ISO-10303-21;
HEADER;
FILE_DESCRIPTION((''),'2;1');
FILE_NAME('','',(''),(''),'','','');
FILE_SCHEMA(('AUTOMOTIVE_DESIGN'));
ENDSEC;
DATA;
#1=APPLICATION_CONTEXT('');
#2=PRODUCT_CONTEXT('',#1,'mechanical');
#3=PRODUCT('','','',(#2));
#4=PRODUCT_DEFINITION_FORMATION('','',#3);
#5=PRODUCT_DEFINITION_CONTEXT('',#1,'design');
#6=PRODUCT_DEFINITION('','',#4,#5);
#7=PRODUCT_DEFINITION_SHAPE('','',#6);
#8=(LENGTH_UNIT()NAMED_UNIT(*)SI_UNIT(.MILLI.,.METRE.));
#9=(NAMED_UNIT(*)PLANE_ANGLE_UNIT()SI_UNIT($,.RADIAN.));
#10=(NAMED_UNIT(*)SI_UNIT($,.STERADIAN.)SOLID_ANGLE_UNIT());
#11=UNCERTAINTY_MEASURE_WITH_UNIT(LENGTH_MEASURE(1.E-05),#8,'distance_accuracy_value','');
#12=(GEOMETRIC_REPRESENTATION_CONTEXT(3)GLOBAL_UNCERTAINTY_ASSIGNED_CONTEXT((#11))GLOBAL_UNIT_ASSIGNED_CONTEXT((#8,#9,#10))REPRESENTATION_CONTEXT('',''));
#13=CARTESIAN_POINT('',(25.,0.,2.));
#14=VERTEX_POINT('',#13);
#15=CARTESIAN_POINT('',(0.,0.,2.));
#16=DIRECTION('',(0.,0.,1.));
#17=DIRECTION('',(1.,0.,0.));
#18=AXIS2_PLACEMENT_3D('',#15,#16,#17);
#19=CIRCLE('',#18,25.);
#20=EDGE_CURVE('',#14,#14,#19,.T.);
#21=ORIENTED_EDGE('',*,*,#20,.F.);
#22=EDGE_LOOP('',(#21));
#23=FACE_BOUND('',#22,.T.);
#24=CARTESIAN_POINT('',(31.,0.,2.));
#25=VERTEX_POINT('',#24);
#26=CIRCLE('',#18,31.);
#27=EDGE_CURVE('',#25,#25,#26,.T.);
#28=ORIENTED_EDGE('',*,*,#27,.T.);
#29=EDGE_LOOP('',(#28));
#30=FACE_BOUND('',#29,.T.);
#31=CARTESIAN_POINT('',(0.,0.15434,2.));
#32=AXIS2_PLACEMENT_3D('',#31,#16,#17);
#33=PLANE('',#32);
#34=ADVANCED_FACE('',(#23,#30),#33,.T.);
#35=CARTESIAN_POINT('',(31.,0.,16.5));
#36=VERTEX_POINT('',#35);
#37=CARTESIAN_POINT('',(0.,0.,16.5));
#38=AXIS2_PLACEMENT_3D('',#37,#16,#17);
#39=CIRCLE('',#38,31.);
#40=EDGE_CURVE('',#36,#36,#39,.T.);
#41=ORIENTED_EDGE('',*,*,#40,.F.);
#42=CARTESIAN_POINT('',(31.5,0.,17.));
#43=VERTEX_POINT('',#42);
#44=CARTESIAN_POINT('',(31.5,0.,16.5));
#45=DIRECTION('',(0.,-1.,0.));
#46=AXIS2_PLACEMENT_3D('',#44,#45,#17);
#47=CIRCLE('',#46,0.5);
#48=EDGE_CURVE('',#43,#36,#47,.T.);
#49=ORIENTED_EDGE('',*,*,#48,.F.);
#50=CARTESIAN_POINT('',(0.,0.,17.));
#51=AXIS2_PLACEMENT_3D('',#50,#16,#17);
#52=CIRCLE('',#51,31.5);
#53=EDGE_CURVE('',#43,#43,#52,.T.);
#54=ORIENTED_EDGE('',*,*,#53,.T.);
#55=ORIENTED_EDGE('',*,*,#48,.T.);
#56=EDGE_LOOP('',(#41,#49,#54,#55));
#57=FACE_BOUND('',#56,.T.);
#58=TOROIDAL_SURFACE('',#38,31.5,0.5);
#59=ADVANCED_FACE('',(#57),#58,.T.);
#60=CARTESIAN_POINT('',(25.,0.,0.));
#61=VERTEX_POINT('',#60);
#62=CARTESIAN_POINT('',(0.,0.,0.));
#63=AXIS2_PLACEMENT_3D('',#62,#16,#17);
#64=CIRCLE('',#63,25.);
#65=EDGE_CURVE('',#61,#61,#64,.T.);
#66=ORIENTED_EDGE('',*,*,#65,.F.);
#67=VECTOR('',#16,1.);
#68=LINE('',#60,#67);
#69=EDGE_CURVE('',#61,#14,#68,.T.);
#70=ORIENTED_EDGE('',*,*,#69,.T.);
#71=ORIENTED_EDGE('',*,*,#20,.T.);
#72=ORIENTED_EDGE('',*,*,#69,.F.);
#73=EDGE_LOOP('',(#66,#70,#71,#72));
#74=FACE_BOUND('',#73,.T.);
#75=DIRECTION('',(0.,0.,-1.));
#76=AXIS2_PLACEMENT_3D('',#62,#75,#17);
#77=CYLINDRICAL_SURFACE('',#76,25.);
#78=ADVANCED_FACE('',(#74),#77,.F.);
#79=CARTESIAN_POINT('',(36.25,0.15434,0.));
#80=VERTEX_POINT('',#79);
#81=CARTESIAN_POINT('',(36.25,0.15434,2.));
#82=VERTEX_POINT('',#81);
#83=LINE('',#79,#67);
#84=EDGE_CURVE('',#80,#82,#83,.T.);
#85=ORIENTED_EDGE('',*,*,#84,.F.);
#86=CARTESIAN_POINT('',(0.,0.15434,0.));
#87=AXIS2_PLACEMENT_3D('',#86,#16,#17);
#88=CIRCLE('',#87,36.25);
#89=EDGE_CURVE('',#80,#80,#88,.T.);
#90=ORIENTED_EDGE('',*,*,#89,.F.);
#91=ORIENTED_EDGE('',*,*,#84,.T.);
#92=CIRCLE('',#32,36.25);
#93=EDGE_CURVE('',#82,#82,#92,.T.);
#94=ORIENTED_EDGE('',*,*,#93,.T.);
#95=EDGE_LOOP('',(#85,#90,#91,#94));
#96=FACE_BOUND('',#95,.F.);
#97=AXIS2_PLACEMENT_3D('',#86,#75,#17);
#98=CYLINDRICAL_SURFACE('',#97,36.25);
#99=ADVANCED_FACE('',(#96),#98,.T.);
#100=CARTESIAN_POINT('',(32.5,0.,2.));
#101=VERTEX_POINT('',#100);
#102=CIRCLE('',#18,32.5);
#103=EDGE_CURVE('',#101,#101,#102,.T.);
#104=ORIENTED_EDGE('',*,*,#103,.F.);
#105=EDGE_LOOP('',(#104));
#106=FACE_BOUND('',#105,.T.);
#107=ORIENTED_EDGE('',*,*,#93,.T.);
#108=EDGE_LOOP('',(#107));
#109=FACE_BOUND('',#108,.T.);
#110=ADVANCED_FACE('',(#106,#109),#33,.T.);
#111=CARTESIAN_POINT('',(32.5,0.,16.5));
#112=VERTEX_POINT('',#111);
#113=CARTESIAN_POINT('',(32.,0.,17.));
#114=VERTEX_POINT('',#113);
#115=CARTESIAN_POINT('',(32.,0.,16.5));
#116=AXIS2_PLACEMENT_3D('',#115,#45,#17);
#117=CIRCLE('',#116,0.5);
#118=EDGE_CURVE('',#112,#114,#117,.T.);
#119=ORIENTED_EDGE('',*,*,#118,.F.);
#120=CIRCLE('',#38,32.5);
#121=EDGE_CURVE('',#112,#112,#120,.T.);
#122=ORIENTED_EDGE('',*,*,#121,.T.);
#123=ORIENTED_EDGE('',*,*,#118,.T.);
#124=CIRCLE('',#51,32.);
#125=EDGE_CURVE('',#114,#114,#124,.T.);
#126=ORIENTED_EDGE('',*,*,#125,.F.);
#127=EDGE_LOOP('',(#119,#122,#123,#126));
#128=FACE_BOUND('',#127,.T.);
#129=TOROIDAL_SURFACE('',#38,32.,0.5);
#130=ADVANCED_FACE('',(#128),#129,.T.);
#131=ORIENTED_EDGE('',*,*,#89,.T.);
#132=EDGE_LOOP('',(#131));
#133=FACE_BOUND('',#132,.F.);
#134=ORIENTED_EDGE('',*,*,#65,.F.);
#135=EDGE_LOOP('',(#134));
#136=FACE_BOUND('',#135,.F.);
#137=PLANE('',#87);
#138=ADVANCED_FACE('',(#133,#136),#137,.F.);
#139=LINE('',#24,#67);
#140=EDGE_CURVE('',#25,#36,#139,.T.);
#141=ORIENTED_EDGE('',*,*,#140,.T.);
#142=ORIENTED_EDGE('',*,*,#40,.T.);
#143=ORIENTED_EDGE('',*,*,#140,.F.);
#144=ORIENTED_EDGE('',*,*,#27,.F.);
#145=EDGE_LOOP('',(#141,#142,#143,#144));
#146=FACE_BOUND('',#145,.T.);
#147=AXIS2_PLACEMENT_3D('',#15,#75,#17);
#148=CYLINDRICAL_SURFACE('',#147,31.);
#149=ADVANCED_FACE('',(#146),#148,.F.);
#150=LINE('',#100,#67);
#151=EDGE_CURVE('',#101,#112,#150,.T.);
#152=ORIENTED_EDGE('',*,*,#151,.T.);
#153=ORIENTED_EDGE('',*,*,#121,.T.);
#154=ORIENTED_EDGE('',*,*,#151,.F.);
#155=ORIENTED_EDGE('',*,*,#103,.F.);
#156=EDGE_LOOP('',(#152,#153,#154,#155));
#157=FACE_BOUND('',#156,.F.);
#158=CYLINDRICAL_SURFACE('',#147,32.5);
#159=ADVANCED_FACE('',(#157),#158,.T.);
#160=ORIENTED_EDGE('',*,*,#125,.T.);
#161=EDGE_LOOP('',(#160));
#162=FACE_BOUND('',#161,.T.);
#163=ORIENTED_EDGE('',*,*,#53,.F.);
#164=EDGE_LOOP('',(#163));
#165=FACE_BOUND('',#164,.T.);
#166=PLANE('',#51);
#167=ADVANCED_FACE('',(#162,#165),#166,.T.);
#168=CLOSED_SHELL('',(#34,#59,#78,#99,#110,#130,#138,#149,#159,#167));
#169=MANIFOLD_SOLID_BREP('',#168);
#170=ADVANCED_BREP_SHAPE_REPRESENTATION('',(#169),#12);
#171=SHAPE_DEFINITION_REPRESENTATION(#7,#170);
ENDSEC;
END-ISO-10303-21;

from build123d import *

# Parameters (mm, degrees)
F0_R     = 36.25
F0_R_2   = 25
F1_DEPTH = 2
F2_R     = 30
F2_R_2   = 32.5
F2_R_3   = 31
F3_DEPTH = 15
F4_R     = 0.5


with BuildPart() as f1:
    # F0 (on Top) → F1 (new body)
    with BuildSketch(Plane.XY):
        with Locations((0, 0.15434)):
            Circle(F0_R)
        Circle(F0_R_2, mode=Mode.SUBTRACT)
    extrude(amount=F1_DEPTH)

    # F2 (on face) → F3 (join)
    with BuildSketch(Plane.XY.offset(2)):
        Circle(F2_R)
        Circle(F2_R_2)
        Circle(F2_R_3, mode=Mode.SUBTRACT)
    extrude(amount=F3_DEPTH)

    # F4
    f4_edges = [f1.edges().sort_by_distance(p)[0] for p in [
        (-32.5, 0, 17),
        (-31, 0, 17),
    ]]
    fillet(f4_edges, radius=F4_R)


solid = f1.part
